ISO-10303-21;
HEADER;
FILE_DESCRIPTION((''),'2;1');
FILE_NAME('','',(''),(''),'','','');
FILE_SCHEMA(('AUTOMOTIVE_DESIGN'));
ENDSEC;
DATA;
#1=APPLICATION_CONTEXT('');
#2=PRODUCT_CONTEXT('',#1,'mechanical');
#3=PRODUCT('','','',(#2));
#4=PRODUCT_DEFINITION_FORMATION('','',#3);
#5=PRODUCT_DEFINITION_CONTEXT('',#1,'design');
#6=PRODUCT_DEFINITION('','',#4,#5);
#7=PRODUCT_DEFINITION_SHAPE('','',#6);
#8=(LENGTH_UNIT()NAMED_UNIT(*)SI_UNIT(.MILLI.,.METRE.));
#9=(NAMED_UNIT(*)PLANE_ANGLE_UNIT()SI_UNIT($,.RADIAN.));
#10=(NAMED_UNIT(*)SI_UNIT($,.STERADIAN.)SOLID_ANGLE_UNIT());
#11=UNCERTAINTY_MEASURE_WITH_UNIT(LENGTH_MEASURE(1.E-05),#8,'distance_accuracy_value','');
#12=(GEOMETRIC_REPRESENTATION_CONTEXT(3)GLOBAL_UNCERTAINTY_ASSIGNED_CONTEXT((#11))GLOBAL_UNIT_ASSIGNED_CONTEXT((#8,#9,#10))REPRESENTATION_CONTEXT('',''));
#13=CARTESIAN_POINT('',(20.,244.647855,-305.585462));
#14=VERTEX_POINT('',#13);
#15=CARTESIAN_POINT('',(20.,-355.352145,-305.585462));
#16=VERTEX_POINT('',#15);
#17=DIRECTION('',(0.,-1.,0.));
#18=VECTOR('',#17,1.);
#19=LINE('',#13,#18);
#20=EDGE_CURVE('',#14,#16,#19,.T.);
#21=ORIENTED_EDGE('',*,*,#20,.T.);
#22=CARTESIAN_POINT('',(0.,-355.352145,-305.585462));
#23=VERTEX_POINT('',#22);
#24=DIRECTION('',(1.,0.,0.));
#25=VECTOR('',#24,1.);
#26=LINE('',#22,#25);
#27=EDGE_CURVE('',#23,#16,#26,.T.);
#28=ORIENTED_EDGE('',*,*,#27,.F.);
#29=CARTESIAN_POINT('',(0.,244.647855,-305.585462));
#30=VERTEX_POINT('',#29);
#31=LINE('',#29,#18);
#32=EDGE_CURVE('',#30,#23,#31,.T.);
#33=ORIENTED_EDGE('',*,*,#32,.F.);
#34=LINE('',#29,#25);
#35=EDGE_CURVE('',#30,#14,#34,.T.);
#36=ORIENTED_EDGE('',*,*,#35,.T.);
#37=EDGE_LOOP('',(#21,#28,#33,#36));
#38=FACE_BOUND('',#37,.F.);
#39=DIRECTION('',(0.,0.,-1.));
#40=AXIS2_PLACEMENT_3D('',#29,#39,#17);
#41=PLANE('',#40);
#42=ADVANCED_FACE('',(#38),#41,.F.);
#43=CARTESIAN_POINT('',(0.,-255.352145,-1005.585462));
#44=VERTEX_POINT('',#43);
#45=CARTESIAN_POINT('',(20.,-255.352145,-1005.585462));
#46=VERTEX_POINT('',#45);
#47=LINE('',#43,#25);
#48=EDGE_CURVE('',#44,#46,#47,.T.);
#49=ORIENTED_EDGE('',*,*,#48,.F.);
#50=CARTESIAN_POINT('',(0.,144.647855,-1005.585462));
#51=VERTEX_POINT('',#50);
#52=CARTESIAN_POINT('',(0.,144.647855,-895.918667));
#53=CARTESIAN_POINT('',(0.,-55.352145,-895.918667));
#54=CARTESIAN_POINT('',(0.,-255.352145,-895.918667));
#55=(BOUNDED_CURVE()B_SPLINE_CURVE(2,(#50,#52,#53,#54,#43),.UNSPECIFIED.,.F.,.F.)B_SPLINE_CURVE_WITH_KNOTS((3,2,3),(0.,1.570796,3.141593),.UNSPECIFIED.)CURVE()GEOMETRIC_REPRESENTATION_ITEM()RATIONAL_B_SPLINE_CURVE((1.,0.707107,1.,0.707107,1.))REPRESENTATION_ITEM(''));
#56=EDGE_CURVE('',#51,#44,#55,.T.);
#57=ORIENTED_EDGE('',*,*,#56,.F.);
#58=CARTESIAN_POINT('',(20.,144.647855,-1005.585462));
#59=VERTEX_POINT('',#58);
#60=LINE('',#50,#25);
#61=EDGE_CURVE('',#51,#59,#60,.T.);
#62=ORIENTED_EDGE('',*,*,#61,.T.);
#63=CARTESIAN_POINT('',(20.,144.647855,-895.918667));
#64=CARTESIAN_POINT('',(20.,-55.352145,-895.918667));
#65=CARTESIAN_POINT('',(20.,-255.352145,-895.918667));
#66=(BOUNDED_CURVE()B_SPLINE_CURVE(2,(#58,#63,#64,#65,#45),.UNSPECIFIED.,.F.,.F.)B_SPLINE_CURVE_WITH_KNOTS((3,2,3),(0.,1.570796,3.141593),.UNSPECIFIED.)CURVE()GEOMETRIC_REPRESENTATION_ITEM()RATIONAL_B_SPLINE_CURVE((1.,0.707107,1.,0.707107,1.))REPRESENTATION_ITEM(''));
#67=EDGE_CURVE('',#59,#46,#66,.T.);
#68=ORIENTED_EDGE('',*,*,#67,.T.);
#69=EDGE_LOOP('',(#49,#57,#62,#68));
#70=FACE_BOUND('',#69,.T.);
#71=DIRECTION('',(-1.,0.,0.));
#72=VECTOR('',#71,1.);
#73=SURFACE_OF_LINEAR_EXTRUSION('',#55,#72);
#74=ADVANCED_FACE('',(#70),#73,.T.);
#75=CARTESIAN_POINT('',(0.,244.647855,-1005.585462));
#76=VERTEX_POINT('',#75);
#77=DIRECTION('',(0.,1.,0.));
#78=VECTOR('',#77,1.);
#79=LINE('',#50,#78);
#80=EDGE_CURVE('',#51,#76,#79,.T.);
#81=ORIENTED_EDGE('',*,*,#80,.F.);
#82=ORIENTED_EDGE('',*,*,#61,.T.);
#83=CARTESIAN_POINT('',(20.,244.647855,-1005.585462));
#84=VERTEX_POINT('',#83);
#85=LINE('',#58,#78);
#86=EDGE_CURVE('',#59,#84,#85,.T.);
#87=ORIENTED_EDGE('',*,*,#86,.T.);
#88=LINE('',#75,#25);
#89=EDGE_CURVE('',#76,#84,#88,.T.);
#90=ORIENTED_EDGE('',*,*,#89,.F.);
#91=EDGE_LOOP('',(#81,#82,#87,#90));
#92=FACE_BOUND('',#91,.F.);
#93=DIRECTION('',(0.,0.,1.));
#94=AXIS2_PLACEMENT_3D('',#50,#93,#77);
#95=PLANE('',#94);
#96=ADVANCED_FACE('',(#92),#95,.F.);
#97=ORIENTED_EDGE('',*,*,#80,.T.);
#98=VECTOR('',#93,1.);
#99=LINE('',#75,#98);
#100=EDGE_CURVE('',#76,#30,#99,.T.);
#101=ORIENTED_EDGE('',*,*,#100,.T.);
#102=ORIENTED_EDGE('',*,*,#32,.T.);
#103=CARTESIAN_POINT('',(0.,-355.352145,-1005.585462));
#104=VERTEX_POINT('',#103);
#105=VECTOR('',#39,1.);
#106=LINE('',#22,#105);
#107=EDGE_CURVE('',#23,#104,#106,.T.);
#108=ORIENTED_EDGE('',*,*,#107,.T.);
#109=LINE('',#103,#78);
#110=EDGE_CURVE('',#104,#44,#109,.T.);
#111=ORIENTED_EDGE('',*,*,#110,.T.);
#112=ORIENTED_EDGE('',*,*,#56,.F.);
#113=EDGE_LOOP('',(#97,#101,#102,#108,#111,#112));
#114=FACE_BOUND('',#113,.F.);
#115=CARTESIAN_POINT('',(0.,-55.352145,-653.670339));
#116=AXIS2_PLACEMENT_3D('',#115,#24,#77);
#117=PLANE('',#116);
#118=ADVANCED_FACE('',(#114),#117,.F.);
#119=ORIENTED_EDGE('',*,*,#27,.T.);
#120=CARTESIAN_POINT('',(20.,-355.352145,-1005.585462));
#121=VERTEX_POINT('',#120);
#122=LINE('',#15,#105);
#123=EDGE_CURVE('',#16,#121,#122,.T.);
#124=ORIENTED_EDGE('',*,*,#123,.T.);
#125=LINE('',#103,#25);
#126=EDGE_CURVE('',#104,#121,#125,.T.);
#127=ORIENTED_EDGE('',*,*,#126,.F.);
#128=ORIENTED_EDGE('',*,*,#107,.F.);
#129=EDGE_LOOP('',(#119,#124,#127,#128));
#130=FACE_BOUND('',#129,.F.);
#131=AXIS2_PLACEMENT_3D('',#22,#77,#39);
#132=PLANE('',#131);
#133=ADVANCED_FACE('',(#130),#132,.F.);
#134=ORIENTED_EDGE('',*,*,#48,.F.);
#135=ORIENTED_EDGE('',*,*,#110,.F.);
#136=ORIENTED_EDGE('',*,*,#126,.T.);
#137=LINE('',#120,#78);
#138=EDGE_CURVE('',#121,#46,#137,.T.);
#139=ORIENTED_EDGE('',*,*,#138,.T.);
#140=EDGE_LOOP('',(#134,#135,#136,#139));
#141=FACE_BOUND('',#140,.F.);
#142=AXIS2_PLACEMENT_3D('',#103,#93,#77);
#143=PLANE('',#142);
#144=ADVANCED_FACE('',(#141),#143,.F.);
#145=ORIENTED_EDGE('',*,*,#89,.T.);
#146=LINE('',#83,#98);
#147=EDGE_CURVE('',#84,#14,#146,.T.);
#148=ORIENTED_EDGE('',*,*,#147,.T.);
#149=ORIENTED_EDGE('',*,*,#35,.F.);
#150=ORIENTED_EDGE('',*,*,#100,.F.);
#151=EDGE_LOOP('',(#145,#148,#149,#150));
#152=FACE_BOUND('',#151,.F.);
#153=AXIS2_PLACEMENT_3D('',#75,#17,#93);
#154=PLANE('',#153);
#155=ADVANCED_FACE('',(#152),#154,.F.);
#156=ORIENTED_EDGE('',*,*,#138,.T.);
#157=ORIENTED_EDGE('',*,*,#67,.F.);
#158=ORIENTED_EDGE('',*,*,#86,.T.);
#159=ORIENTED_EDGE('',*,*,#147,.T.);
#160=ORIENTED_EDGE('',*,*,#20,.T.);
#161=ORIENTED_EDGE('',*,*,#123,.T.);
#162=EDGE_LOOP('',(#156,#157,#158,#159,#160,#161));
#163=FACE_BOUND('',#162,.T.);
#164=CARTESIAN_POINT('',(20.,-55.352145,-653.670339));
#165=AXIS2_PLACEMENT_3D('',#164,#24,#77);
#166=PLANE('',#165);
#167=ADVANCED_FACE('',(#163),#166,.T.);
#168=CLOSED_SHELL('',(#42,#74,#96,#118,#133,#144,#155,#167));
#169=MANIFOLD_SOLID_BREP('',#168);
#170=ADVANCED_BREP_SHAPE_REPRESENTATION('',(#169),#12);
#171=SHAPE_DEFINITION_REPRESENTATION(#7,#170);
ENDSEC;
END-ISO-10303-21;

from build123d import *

# Parameters (mm, degrees)
F1_DEPTH = 20


with BuildPart() as f1:
    # F0 (on Right) → F1 (new body)
    with BuildSketch(Plane.YZ):
        with BuildLine():
            Line((244.647855, -305.585462), (-355.352145, -305.585462))
            Line((-355.352145, -305.585462), (-355.352145, -1005.585462))
            Line((-355.352145, -1005.585462), (-255.352145, -1005.585462))
            add(Edge.make_bspline(
                [(144.647855, -1005.585462), (144.647855, -895.918667), (-55.352145, -895.918667), (-255.352145, -895.918667), (-255.352145, -1005.585462)],
                knots=[0, 0, 0, 1.570796, 1.570796, 3.141593, 3.141593, 3.141593], degree=2, weights=[1, 0.707107, 1, 0.707107, 1]))
            Line((144.647855, -1005.585462), (244.647855, -1005.585462))
            Line((244.647855, -1005.585462), (244.647855, -305.585462))
        make_face()
    extrude(amount=F1_DEPTH)


solid = f1.part
